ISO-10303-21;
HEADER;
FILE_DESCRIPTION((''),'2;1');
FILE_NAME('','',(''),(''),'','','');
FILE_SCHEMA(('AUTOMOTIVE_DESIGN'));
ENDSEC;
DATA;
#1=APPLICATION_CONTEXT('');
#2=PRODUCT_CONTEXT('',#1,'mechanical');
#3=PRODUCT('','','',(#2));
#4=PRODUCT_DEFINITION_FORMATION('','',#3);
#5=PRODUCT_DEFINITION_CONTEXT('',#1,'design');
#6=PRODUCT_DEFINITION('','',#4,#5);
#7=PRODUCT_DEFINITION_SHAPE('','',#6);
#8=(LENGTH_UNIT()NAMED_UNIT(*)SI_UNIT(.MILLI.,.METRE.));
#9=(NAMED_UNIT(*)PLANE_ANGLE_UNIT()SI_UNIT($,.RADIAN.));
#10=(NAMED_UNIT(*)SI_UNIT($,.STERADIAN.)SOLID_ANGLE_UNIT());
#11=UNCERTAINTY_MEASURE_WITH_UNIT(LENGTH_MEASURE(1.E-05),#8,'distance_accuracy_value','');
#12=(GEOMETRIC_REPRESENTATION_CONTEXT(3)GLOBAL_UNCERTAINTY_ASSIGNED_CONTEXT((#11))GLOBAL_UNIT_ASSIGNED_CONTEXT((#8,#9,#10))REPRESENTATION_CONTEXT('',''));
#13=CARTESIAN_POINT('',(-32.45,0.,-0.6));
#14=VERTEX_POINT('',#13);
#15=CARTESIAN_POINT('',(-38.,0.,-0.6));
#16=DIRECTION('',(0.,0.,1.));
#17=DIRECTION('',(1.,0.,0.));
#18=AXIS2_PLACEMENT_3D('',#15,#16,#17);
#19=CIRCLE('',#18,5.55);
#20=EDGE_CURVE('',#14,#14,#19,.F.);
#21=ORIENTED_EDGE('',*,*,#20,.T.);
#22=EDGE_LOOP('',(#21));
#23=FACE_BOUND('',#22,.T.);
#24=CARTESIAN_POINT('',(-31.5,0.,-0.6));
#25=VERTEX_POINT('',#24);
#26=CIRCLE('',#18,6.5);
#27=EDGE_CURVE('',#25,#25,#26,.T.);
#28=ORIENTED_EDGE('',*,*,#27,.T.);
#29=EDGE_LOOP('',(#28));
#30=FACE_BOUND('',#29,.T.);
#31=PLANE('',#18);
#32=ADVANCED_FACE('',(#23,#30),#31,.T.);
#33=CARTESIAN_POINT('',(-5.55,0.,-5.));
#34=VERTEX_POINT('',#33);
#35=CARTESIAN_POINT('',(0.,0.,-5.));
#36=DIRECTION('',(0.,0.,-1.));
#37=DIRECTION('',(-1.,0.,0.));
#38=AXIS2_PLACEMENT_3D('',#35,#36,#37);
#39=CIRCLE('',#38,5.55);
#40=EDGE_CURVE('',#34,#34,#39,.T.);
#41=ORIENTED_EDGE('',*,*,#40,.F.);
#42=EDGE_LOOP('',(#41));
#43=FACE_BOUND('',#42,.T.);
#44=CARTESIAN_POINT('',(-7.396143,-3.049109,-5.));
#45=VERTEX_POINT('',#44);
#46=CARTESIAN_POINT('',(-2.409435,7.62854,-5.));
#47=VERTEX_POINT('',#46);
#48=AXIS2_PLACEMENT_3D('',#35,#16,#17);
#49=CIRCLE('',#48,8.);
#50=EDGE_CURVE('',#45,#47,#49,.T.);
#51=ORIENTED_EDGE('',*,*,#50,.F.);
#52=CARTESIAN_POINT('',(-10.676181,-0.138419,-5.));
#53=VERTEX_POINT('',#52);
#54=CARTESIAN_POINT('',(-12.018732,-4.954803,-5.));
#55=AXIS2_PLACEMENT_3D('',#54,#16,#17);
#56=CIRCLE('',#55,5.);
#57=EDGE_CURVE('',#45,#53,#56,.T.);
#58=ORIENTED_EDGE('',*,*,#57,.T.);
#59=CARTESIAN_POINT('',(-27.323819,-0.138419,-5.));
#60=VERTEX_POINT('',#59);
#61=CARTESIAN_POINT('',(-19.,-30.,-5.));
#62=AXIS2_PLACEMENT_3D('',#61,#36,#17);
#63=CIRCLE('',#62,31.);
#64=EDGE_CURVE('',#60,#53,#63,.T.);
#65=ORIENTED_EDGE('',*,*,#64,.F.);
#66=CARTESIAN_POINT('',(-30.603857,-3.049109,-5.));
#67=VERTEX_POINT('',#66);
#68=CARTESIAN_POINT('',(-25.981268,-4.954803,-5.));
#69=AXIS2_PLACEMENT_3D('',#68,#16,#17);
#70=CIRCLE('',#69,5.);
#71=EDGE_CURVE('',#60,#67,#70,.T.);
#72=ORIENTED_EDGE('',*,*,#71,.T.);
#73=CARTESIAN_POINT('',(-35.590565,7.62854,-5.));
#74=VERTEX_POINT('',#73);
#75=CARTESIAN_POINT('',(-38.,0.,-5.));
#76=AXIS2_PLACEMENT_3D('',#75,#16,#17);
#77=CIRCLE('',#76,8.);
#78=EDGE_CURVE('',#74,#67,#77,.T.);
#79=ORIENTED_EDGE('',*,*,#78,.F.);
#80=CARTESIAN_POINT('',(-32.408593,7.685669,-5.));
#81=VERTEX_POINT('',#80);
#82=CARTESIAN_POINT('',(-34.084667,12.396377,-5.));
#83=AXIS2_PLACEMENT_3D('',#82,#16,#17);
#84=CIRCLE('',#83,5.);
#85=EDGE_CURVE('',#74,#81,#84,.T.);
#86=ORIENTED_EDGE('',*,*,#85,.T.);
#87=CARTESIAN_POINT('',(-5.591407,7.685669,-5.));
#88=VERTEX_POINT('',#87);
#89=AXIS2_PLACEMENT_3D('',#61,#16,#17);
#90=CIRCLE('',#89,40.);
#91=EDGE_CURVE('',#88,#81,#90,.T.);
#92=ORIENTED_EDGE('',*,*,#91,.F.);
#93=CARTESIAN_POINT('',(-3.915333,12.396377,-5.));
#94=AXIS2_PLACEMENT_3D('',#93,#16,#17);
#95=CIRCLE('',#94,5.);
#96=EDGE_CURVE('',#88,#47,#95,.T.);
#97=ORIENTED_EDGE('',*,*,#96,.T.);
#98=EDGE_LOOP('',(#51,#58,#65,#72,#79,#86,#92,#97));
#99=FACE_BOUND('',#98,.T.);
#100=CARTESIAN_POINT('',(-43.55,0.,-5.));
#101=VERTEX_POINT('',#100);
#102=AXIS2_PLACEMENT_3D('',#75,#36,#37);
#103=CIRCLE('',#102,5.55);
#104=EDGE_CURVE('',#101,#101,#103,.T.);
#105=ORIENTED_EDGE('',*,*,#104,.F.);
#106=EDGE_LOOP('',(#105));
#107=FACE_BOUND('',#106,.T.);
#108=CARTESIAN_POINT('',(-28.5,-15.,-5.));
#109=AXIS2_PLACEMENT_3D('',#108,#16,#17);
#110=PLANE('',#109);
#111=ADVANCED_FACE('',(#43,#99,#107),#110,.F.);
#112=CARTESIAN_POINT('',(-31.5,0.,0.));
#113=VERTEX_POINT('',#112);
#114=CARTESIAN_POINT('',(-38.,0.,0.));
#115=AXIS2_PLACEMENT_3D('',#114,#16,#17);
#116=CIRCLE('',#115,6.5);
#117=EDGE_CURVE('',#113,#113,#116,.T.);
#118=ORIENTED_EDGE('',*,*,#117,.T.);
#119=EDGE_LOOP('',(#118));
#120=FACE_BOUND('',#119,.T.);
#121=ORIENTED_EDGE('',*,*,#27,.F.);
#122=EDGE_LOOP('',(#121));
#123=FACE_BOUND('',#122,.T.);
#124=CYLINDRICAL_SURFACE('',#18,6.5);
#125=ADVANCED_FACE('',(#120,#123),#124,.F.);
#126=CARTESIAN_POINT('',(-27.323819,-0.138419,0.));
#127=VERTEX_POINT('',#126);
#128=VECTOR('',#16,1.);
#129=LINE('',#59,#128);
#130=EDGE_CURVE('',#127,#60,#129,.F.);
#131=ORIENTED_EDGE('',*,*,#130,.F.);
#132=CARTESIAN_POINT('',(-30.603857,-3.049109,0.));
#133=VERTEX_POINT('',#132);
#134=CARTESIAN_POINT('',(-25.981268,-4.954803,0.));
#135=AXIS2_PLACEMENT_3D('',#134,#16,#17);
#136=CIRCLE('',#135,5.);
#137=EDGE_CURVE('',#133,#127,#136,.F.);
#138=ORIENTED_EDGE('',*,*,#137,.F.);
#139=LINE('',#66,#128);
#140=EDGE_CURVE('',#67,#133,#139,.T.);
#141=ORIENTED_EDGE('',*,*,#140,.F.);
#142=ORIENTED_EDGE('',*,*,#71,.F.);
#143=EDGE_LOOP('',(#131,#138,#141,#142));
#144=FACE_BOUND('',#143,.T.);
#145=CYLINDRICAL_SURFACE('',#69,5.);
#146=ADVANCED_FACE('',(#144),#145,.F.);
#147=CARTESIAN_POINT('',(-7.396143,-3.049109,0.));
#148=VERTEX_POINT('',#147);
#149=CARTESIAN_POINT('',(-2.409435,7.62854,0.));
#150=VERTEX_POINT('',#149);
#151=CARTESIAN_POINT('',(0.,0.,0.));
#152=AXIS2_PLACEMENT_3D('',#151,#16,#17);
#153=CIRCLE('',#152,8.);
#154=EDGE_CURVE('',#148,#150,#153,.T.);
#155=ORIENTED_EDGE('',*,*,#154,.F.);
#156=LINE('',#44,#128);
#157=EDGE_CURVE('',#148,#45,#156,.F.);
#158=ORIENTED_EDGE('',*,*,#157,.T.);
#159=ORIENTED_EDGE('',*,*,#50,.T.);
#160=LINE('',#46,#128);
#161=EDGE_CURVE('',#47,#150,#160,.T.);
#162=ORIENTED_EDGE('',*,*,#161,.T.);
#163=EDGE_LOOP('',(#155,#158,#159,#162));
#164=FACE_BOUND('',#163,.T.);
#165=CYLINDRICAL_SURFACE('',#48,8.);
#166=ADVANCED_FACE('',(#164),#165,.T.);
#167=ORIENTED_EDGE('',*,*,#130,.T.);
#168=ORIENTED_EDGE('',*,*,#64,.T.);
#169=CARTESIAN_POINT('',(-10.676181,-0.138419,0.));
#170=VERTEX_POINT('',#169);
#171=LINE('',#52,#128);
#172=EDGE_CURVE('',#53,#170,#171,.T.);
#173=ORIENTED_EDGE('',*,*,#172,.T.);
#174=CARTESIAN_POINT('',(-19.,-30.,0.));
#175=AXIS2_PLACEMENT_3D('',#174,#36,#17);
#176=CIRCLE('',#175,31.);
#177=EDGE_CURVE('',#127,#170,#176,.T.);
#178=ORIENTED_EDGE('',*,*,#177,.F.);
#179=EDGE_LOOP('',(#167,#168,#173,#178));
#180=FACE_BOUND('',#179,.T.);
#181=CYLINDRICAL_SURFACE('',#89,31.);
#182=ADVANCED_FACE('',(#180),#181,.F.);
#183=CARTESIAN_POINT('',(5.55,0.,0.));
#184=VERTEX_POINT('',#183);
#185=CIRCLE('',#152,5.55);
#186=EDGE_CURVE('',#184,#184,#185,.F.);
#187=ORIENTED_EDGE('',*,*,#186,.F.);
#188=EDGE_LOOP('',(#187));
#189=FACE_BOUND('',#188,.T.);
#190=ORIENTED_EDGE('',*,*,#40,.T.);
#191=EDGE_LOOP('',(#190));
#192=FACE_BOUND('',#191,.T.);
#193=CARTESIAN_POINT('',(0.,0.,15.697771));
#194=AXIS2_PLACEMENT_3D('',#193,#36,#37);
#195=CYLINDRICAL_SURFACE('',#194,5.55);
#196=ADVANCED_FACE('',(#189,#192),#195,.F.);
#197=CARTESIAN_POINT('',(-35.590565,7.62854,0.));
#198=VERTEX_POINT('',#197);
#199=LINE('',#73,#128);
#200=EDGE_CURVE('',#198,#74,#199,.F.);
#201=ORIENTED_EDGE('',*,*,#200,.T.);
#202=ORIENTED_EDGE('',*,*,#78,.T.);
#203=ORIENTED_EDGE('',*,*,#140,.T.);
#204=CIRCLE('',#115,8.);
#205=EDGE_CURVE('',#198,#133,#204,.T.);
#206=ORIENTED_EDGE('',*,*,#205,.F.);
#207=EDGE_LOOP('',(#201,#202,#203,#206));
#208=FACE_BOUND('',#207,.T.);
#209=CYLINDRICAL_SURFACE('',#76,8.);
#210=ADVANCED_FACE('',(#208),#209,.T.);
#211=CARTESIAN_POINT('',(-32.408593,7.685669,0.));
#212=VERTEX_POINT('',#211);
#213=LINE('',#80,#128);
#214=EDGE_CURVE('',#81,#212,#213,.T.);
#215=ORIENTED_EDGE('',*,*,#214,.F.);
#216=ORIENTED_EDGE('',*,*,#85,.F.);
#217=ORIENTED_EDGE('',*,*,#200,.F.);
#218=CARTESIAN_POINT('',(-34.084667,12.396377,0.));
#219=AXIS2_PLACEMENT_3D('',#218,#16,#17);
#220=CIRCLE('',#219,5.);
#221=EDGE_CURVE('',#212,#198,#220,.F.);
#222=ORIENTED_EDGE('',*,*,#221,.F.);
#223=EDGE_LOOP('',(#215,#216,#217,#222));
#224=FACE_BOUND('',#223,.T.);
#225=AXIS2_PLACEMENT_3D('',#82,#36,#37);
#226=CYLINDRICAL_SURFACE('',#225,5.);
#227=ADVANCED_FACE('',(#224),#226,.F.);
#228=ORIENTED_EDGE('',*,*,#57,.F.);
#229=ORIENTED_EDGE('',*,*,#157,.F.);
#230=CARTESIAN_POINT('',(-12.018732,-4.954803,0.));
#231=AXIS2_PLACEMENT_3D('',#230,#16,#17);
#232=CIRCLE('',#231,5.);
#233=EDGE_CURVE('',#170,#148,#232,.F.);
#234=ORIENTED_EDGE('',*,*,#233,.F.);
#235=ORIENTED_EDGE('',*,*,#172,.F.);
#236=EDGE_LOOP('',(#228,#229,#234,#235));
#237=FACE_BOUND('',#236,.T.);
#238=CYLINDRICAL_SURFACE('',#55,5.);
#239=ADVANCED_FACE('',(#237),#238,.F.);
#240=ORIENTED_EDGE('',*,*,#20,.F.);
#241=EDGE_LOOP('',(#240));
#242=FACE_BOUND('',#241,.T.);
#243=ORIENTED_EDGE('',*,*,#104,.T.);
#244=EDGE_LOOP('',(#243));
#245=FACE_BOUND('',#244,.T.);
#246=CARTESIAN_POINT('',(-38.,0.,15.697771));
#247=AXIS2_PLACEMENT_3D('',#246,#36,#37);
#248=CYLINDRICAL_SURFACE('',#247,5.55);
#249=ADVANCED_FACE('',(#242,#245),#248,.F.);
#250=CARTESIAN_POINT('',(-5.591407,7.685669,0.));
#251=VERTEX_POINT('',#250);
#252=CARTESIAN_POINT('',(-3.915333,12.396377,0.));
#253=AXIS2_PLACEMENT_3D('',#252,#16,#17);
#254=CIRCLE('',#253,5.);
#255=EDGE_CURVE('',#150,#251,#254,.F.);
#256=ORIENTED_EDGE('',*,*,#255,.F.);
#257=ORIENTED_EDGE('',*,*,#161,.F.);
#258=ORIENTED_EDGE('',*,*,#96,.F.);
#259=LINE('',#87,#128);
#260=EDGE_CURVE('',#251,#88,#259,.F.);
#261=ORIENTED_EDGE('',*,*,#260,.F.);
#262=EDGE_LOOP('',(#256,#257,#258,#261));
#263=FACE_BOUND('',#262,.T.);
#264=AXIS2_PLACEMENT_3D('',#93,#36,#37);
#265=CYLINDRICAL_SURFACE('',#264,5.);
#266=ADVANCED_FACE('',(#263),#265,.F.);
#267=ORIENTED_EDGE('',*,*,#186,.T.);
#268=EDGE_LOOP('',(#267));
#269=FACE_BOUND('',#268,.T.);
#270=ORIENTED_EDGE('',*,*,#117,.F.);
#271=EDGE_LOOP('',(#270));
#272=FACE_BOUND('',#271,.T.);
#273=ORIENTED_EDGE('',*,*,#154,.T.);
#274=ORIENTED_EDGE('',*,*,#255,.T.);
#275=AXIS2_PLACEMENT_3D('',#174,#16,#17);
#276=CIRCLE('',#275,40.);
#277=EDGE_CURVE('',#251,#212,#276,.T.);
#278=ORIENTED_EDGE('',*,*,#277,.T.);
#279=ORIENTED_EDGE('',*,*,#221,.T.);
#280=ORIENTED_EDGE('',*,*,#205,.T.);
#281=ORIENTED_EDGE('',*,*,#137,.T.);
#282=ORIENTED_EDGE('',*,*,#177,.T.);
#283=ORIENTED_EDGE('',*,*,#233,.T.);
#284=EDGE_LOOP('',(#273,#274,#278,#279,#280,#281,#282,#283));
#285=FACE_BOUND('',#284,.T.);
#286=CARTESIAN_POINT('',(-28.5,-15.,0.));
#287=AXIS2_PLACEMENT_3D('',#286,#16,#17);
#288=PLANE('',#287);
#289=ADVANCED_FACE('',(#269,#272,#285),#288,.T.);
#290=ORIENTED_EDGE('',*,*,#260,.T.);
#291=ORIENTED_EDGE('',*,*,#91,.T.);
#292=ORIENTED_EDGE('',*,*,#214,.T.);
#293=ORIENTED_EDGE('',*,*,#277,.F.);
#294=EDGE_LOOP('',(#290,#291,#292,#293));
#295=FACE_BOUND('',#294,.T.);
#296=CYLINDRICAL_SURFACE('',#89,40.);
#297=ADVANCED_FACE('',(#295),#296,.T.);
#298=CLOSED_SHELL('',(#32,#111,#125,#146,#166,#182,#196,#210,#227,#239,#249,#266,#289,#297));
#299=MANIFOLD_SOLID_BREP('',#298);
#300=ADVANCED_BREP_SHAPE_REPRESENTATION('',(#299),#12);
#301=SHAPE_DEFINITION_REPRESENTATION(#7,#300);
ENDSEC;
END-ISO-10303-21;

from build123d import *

# Parameters (mm, degrees)
EXTRUDE_1_DEPTH     = 5
SKETCH_3_R          = 5.55
CUT_EXTRUDE_1_DEPTH = 5
FILLET_1_R          = 5
SKETCH_4_R          = 6.5
CUT_EXTRUDE_2_DEPTH = 0.6


with BuildPart() as part:
    # 草图1 → 凸台-拉伸1 (new body)
    with BuildSketch(Plane.XY):
        with BuildLine():
            ThreePointArc((-7.931682852, -1.043267527), (7.134318966, -3.619598443), (-3.842383801, 7.016843074))
            ThreePointArc((-3.842383801, 7.016843074), (-19, 10), (-34.157616199, 7.016843074))
            ThreePointArc((-34.157616199, 7.016843074), (-45.134318966, -3.619598443), (-30.068317148, -1.043267527))
            ThreePointArc((-30.068317148, -1.043267527), (-19, 1), (-7.931682852, -1.043267527))
        make_face()
    extrude(amount=-EXTRUDE_1_DEPTH)

    # 草图3 → 切除-拉伸1 (cut)
    with BuildSketch(Plane(origin=(0, 0, -5), x_dir=(-1, 0, 0), z_dir=(0, 0, -1))):
        Circle(SKETCH_3_R)
        with Locations((38, 0)):
            Circle(SKETCH_3_R)
    extrude(amount=-CUT_EXTRUDE_1_DEPTH, mode=Mode.SUBTRACT)

    # 圆角1
    fillet_1_edges = [part.edges().sort_by_distance(p)[0] for p in [
        (-30.068317148, -1.043267527, -2.5),
        (-34.157616199, 7.016843074, -2.5),
        (-3.842383801, 7.016843074, -2.5),
        (-7.931682852, -1.043267527, -2.5),
    ]]
    fillet(fillet_1_edges, radius=FILLET_1_R)

    # 草图4 → 切除-拉伸2 (cut)
    with BuildSketch(Plane.XY):
        with Locations((-38, 0)):
            Circle(SKETCH_4_R)
    extrude(amount=-CUT_EXTRUDE_2_DEPTH, mode=Mode.SUBTRACT)


solid = part.part
